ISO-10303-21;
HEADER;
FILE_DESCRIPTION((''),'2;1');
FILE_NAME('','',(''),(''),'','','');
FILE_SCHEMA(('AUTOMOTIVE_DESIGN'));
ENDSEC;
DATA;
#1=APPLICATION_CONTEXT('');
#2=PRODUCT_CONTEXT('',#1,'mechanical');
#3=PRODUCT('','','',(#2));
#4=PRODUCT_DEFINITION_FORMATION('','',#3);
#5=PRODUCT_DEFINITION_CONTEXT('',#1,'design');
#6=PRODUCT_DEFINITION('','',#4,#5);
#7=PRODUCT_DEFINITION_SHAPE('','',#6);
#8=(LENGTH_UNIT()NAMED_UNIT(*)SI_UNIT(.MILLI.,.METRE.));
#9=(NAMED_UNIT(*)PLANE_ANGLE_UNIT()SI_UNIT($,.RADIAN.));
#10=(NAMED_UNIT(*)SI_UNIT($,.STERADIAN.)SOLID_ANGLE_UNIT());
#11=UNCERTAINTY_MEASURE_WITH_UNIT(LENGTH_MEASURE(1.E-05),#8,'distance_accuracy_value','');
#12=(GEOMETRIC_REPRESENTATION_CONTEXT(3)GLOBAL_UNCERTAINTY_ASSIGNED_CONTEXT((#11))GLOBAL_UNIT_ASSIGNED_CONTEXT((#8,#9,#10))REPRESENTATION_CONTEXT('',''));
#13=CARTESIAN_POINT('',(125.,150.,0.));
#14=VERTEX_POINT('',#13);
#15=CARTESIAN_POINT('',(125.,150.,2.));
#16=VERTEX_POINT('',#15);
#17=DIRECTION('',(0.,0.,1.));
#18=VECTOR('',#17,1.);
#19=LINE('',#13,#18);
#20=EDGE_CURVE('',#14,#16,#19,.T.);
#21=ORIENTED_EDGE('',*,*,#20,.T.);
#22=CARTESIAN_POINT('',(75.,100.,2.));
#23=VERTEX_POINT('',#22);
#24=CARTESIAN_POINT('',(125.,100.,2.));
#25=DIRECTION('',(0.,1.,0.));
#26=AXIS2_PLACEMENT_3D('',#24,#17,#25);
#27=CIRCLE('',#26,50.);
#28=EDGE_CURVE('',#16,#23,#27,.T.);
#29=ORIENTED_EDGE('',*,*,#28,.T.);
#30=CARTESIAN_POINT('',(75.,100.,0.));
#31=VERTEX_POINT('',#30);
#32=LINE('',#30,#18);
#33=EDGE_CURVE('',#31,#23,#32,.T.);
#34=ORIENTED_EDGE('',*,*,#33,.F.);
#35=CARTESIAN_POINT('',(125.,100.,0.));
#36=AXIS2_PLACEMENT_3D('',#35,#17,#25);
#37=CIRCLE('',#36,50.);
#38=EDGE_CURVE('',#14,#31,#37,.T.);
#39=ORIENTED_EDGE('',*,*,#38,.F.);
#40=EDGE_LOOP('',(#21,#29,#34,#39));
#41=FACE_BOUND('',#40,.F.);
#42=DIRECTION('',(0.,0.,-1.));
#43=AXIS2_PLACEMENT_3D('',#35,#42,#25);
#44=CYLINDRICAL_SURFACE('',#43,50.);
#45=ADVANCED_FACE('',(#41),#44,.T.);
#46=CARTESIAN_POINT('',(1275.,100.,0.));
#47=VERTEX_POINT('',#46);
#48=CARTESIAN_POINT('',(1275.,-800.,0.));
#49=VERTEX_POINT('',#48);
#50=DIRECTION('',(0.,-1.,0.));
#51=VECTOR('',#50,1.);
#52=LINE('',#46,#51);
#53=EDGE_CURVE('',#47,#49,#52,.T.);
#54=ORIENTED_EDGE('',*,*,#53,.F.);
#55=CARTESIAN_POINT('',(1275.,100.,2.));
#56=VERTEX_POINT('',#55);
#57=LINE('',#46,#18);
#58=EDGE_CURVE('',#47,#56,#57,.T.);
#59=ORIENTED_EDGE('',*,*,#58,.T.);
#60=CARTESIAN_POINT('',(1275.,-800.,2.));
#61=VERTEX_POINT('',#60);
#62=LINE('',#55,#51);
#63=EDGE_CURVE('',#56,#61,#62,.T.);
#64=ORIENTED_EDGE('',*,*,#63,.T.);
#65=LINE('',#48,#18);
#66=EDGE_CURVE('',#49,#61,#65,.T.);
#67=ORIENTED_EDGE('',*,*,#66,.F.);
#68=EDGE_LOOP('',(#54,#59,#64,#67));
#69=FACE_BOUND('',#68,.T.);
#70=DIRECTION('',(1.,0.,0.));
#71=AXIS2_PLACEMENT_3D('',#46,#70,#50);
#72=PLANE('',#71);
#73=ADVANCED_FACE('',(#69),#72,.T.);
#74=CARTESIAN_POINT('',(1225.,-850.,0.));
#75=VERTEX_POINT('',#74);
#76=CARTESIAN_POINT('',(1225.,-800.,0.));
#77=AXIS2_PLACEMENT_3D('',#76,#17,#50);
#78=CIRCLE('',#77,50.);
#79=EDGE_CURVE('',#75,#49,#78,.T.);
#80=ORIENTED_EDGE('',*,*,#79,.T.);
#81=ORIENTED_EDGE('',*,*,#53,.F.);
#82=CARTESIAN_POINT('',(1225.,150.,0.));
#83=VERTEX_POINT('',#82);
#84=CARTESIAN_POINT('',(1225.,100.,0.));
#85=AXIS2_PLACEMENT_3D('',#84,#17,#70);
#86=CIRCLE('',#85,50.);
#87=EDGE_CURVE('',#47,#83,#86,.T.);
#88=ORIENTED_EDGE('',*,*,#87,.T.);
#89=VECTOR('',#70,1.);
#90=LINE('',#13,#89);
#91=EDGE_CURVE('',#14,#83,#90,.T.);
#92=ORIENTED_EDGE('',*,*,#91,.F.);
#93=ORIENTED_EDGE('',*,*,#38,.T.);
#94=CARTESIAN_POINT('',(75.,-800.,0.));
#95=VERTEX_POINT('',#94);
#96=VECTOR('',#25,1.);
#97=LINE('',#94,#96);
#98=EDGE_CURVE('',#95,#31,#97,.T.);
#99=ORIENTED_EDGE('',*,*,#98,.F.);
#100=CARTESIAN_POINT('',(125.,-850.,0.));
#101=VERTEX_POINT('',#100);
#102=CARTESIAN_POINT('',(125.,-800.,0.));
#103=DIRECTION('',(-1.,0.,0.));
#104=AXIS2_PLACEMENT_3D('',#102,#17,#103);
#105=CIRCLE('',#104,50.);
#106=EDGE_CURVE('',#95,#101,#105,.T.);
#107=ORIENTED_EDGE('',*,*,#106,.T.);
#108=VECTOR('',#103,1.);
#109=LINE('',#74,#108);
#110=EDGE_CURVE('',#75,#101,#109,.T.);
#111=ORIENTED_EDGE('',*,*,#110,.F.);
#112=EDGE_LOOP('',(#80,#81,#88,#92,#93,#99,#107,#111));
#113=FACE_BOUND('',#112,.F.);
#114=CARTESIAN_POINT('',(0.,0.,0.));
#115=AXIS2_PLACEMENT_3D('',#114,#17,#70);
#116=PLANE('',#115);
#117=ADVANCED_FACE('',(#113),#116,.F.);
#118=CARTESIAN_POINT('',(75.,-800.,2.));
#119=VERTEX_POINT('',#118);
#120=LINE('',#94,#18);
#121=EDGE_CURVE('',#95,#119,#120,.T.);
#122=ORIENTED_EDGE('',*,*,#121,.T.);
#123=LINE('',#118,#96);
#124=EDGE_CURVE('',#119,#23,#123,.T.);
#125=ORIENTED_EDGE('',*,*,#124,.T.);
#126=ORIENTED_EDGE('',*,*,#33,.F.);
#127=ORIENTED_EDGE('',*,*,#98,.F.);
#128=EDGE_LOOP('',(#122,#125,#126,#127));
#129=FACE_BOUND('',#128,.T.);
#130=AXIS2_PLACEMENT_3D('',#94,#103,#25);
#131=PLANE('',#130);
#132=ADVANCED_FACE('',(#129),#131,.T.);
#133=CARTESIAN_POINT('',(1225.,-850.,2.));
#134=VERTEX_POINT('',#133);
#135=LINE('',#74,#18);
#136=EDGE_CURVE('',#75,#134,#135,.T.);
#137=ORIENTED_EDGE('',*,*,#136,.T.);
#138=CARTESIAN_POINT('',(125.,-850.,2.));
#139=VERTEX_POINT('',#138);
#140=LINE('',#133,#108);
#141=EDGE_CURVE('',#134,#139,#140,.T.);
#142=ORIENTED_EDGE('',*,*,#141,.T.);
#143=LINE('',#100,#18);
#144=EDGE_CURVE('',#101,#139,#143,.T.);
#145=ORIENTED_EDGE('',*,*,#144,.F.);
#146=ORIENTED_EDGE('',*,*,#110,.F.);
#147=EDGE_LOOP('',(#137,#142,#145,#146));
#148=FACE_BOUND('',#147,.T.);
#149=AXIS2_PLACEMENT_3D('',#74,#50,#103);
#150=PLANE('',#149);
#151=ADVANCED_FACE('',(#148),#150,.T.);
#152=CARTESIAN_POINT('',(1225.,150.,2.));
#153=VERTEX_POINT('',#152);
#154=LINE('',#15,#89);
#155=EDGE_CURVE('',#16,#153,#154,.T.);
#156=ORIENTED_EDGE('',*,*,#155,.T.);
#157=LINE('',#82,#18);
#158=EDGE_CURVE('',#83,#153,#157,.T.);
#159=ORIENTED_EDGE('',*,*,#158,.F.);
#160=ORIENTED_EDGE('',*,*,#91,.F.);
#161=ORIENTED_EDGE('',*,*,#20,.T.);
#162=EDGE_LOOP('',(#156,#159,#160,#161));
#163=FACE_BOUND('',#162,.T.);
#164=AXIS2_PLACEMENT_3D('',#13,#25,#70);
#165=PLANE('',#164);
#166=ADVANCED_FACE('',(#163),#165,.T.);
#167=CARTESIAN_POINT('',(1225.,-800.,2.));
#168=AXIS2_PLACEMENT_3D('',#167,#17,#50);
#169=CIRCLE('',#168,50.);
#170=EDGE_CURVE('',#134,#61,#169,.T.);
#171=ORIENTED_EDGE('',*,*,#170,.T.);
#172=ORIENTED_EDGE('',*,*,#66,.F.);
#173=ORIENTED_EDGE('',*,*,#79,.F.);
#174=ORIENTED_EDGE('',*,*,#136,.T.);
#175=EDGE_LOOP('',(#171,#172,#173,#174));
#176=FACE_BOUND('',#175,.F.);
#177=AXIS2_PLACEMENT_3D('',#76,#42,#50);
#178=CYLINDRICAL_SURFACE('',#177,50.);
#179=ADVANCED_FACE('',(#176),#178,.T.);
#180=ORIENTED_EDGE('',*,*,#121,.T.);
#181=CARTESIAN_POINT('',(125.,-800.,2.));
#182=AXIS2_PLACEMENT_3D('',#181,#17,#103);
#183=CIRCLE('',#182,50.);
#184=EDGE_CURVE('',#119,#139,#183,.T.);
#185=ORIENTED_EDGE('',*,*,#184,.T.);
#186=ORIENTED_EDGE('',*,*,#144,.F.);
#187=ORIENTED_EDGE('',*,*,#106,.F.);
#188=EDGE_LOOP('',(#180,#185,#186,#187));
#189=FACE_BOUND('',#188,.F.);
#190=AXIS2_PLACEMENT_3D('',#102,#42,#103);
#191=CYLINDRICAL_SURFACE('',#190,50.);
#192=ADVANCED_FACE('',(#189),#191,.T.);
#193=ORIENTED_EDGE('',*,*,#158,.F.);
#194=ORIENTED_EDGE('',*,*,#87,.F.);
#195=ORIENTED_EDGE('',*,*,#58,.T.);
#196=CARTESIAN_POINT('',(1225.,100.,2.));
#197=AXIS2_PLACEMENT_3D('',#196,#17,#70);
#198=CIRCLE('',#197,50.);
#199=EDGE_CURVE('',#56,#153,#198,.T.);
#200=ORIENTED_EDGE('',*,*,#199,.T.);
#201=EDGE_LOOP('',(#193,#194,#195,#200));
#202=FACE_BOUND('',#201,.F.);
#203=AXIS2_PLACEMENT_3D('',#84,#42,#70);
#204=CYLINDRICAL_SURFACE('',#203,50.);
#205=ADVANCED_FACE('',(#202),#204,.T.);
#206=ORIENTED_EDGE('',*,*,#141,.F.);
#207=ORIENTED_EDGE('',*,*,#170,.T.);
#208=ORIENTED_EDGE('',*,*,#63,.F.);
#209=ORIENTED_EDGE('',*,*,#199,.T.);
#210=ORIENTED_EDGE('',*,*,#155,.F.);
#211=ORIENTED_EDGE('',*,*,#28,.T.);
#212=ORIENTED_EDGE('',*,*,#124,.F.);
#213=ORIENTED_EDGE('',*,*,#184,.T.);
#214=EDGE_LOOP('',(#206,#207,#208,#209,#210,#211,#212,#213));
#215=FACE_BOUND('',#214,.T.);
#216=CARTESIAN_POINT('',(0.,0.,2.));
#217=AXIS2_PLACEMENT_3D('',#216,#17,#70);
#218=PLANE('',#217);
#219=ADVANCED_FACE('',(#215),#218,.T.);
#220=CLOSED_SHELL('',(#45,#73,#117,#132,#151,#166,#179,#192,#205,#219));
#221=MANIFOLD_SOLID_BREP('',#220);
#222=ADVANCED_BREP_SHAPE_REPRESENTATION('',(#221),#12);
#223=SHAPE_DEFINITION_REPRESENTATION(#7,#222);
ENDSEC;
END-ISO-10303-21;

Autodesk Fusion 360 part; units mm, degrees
sketch "Skizze1" plane through (0, 0, 0) normal (0, 0, 1) x (1, 0, 0)
  line L0 (125, 150) -> (1225, 150)
  line L1 (1275, 100) -> (1275, -800)
  line L2 (1225, -850) -> (125, -850)
  line L3 (75, -800) -> (75, 100)
  arc A0 (125, 150) -> (75, 100) centre (125, 100) ccw
  arc A1 (1275, 100) -> (1225, 150) centre (1225, 100) ccw
  arc A2 (1225, -850) -> (1275, -800) centre (1225, -800) ccw
  arc A3 (75, -800) -> (125, -850) centre (125, -800) ccw
  point P0 (75, 150)
  point P1 (1275, 150)
  point P2 (75, -850)
  dimension "d1" = 1200
  dimension "d2" = 1000
  dimension "d3" = 50
  dimension "d4" = 50
extrude "Extrusion1" add sketch "Skizze1" along normal blind 2
equation "d4 = d3"
